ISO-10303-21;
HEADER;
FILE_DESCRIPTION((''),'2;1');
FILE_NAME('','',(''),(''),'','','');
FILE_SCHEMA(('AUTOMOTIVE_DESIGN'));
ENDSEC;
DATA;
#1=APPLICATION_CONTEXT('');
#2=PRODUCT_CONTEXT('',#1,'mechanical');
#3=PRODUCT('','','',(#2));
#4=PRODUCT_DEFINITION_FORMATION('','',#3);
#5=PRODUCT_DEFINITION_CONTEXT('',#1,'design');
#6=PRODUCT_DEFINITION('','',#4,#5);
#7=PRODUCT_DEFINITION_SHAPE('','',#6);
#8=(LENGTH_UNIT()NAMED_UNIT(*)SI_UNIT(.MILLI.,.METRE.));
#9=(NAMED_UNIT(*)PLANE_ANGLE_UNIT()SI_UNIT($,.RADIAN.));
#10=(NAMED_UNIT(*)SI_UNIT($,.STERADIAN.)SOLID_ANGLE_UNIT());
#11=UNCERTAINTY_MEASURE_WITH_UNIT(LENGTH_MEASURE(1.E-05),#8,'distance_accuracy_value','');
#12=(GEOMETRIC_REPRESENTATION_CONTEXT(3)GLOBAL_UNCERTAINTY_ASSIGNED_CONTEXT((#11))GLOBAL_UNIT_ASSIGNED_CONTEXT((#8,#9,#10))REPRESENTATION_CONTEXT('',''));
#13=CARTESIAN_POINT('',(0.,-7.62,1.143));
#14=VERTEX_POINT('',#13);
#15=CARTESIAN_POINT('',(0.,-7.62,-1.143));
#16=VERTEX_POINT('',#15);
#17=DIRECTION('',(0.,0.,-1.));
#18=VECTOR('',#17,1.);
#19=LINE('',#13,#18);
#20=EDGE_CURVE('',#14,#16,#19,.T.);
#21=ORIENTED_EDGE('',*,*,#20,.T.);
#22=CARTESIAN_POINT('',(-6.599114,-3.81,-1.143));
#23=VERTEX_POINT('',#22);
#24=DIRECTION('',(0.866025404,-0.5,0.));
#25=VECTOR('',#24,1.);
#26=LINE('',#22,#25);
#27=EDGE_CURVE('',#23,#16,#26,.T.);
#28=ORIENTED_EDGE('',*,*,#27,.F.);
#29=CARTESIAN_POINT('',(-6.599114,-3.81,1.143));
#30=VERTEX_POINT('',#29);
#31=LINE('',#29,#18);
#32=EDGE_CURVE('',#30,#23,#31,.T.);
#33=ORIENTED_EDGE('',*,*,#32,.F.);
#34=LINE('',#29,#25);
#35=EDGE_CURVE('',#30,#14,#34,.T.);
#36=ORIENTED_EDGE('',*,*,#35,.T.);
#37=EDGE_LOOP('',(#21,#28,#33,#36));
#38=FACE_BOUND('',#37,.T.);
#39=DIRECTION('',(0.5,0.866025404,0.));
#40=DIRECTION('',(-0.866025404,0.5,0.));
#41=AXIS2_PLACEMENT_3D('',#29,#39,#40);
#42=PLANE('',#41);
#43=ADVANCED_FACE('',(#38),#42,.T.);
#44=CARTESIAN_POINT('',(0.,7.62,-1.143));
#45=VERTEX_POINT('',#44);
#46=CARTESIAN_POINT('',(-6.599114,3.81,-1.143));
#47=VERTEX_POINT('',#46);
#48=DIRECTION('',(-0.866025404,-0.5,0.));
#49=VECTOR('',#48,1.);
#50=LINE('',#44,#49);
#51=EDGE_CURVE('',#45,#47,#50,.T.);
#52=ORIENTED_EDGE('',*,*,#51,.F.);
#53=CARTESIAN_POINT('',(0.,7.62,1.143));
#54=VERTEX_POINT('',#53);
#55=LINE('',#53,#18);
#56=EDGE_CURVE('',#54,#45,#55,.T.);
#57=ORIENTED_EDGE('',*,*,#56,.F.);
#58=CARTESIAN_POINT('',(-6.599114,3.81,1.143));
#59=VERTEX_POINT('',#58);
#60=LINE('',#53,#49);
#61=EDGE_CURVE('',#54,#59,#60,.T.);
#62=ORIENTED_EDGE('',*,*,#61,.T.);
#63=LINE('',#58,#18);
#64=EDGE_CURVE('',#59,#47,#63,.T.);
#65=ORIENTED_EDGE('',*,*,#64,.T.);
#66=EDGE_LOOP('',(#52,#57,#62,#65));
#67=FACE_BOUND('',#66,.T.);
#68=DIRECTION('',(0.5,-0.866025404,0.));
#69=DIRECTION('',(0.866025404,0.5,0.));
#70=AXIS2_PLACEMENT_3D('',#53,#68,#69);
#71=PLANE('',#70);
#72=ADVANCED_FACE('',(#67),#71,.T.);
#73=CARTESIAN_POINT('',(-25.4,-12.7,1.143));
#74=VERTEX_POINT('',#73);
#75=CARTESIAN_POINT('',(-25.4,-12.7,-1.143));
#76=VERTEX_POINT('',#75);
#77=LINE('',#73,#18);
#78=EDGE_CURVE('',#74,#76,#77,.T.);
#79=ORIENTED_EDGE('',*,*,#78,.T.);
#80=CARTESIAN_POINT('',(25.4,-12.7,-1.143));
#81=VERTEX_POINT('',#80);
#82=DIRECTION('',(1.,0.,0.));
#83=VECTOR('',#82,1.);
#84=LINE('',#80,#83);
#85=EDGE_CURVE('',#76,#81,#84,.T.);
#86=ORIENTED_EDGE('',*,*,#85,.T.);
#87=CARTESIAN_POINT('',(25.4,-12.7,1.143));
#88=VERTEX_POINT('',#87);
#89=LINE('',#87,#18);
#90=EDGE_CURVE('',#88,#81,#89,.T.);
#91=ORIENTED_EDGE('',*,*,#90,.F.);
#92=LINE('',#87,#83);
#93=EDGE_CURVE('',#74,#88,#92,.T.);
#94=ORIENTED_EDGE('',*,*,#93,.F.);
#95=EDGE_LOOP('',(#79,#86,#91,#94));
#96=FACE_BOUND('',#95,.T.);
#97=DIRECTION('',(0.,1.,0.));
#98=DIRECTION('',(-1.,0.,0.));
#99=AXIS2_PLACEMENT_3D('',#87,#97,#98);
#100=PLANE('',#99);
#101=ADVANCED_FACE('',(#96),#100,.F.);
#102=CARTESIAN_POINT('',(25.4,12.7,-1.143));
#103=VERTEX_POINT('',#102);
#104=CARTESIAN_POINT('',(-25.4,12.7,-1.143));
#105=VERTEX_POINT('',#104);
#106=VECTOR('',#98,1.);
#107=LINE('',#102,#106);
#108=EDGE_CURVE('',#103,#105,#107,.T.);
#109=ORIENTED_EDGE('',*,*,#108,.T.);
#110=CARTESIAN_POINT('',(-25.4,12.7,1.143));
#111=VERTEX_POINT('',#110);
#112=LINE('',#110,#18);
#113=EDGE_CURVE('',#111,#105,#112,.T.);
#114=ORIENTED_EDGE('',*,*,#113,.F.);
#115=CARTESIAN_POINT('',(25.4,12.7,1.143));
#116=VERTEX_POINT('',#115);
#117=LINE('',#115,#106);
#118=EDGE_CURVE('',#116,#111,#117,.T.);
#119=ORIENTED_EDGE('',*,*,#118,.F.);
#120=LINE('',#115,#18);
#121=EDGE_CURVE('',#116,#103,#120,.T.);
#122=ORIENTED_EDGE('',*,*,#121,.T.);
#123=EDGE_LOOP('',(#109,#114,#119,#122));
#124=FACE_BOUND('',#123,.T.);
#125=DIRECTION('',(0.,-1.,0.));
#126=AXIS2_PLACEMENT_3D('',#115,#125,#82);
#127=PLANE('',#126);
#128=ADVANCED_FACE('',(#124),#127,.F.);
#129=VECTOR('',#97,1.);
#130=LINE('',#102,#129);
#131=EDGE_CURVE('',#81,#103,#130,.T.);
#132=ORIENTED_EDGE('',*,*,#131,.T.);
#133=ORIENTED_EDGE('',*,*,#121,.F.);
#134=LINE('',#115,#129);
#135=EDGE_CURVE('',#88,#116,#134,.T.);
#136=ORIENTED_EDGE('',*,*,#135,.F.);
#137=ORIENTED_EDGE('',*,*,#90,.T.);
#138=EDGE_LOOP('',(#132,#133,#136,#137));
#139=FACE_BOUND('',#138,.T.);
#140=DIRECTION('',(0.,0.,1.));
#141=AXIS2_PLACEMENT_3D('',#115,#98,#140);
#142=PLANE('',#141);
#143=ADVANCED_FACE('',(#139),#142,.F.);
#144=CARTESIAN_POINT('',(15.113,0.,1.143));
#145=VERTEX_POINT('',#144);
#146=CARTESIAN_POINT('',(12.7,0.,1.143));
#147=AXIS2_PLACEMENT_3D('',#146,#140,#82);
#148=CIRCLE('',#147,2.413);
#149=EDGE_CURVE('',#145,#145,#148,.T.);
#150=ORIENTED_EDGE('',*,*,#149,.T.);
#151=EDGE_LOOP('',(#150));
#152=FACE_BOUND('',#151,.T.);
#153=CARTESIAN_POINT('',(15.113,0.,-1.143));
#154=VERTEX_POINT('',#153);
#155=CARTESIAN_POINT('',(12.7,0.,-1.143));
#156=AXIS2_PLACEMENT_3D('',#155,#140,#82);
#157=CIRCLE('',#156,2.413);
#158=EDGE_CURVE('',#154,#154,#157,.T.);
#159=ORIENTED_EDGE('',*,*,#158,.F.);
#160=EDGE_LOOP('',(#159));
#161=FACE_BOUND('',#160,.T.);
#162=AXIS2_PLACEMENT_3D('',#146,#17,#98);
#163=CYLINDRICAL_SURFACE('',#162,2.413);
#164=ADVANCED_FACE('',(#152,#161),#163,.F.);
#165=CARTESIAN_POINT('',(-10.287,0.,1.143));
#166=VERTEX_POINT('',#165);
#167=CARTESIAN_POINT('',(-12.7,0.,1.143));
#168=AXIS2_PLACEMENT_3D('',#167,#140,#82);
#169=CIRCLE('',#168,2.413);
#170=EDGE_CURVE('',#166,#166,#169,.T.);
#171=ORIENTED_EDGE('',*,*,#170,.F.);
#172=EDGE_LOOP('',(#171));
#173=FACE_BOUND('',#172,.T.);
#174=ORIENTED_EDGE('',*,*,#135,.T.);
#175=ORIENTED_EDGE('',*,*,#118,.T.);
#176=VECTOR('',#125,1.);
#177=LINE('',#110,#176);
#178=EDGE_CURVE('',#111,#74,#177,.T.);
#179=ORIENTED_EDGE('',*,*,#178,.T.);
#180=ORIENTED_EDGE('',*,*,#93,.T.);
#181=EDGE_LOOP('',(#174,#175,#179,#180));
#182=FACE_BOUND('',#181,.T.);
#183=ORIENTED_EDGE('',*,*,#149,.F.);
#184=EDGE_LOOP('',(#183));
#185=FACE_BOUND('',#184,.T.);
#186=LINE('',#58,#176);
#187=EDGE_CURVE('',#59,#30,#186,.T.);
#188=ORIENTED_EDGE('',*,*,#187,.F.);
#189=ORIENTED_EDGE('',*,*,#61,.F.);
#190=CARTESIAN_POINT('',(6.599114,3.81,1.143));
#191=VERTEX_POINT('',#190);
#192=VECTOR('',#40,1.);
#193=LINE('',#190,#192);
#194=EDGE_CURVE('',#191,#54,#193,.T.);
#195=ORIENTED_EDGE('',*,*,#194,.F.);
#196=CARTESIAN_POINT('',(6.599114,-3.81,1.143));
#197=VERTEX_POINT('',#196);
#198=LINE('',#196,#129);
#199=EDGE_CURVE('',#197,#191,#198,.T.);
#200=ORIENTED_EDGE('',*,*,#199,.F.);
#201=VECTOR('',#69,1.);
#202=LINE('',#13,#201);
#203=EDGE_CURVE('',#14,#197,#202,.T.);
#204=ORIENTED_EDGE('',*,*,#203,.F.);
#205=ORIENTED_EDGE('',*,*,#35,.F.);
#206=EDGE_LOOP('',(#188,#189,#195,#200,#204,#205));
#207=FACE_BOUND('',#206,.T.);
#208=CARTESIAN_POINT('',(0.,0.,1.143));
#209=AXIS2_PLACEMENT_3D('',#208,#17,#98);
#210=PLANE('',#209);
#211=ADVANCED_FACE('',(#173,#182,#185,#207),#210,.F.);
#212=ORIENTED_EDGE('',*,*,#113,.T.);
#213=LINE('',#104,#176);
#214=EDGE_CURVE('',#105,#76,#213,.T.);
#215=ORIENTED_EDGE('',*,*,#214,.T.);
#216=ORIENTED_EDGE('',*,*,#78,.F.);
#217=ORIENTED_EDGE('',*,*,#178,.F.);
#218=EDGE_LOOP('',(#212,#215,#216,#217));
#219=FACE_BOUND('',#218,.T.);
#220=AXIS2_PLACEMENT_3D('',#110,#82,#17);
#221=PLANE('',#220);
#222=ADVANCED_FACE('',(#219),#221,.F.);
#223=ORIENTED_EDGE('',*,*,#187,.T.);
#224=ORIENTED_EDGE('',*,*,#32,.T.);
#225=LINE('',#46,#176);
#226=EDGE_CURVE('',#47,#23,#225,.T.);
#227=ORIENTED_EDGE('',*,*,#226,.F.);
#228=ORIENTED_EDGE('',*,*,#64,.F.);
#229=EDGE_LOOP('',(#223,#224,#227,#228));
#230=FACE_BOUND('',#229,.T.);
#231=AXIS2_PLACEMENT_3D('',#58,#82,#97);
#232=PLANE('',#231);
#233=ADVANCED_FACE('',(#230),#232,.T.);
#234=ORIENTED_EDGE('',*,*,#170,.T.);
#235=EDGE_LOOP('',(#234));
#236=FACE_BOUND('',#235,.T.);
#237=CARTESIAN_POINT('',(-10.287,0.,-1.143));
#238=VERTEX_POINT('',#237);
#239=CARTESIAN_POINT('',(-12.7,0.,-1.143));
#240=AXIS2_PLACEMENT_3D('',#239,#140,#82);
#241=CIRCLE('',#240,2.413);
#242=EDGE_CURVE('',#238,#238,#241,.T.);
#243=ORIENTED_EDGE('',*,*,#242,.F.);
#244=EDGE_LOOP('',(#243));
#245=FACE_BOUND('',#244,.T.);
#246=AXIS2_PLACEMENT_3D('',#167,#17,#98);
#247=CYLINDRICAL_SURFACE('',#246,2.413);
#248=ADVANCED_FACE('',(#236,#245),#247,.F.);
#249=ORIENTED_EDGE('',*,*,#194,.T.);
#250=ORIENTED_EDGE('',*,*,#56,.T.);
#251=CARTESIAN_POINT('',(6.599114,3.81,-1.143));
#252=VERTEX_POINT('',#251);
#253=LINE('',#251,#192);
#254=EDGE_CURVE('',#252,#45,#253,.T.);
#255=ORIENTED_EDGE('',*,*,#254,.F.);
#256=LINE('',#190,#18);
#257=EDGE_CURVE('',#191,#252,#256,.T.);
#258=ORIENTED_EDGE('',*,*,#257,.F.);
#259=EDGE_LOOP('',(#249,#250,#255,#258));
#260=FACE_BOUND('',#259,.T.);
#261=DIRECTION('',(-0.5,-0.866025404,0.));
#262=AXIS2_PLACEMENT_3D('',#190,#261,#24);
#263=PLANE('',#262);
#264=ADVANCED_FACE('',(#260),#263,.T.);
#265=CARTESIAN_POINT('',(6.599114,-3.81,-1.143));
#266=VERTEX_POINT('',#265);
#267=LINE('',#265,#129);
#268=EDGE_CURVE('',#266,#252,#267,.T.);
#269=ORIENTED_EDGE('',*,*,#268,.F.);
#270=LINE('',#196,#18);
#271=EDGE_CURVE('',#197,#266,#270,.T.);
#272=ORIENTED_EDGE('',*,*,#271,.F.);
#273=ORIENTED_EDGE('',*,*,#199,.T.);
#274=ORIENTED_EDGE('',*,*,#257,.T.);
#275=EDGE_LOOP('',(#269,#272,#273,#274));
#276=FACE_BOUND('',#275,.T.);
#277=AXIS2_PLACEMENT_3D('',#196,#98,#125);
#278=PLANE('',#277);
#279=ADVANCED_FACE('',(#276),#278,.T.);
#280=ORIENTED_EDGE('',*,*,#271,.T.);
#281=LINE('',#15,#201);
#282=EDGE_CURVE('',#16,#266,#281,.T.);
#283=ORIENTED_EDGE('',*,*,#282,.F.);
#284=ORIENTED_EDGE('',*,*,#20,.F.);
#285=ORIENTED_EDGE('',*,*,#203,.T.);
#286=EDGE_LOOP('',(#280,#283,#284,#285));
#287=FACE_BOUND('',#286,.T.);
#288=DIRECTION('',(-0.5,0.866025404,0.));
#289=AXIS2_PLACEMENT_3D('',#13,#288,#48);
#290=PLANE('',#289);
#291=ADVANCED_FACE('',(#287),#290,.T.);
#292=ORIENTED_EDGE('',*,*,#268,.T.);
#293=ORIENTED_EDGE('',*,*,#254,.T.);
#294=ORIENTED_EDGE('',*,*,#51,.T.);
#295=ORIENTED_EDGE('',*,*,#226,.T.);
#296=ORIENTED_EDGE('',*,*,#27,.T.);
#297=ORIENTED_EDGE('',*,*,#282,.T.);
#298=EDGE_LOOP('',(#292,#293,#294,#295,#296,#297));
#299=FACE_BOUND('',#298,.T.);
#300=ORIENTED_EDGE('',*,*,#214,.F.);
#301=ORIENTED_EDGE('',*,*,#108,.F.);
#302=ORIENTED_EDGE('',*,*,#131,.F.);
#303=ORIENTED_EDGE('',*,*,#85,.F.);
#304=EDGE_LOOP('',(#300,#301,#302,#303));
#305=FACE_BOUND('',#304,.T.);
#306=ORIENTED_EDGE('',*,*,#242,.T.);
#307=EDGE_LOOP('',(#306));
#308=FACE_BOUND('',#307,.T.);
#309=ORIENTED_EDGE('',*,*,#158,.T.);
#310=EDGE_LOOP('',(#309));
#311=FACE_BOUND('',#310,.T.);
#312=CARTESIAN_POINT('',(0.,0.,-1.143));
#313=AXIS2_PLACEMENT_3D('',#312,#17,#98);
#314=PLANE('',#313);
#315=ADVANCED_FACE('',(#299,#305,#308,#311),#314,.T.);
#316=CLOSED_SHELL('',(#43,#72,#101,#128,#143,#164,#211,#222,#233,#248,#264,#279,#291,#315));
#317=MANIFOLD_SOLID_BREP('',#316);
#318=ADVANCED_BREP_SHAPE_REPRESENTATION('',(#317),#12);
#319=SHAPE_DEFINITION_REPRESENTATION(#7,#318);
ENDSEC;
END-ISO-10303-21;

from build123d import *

# Parameters (mm, degrees)
SKETCH1_W           = 50.8
SKETCH1_H           = 25.4
SKETCH1_R           = 2.413
BOSS_EXTRUDE1_DEPTH = 1.143


with BuildPart() as part:
    # Sketch1 → Boss-Extrude1 (new, symmetric)
    with BuildSketch(Plane.XY):
        Rectangle(SKETCH1_W, SKETCH1_H)
        with Locations((-12.7, 0)):
            Circle(SKETCH1_R, mode=Mode.SUBTRACT)
        with Locations((12.7, 0)):
            Circle(SKETCH1_R, mode=Mode.SUBTRACT)
        Polygon((0, 7.62), (-6.599113577, 3.81), (-6.599113577, -3.81), (0, -7.62), (6.599113577, -3.81), (6.599113577, 3.81), align=None, mode=Mode.SUBTRACT)
    extrude(amount=BOSS_EXTRUDE1_DEPTH, both=True)


solid = part.part
